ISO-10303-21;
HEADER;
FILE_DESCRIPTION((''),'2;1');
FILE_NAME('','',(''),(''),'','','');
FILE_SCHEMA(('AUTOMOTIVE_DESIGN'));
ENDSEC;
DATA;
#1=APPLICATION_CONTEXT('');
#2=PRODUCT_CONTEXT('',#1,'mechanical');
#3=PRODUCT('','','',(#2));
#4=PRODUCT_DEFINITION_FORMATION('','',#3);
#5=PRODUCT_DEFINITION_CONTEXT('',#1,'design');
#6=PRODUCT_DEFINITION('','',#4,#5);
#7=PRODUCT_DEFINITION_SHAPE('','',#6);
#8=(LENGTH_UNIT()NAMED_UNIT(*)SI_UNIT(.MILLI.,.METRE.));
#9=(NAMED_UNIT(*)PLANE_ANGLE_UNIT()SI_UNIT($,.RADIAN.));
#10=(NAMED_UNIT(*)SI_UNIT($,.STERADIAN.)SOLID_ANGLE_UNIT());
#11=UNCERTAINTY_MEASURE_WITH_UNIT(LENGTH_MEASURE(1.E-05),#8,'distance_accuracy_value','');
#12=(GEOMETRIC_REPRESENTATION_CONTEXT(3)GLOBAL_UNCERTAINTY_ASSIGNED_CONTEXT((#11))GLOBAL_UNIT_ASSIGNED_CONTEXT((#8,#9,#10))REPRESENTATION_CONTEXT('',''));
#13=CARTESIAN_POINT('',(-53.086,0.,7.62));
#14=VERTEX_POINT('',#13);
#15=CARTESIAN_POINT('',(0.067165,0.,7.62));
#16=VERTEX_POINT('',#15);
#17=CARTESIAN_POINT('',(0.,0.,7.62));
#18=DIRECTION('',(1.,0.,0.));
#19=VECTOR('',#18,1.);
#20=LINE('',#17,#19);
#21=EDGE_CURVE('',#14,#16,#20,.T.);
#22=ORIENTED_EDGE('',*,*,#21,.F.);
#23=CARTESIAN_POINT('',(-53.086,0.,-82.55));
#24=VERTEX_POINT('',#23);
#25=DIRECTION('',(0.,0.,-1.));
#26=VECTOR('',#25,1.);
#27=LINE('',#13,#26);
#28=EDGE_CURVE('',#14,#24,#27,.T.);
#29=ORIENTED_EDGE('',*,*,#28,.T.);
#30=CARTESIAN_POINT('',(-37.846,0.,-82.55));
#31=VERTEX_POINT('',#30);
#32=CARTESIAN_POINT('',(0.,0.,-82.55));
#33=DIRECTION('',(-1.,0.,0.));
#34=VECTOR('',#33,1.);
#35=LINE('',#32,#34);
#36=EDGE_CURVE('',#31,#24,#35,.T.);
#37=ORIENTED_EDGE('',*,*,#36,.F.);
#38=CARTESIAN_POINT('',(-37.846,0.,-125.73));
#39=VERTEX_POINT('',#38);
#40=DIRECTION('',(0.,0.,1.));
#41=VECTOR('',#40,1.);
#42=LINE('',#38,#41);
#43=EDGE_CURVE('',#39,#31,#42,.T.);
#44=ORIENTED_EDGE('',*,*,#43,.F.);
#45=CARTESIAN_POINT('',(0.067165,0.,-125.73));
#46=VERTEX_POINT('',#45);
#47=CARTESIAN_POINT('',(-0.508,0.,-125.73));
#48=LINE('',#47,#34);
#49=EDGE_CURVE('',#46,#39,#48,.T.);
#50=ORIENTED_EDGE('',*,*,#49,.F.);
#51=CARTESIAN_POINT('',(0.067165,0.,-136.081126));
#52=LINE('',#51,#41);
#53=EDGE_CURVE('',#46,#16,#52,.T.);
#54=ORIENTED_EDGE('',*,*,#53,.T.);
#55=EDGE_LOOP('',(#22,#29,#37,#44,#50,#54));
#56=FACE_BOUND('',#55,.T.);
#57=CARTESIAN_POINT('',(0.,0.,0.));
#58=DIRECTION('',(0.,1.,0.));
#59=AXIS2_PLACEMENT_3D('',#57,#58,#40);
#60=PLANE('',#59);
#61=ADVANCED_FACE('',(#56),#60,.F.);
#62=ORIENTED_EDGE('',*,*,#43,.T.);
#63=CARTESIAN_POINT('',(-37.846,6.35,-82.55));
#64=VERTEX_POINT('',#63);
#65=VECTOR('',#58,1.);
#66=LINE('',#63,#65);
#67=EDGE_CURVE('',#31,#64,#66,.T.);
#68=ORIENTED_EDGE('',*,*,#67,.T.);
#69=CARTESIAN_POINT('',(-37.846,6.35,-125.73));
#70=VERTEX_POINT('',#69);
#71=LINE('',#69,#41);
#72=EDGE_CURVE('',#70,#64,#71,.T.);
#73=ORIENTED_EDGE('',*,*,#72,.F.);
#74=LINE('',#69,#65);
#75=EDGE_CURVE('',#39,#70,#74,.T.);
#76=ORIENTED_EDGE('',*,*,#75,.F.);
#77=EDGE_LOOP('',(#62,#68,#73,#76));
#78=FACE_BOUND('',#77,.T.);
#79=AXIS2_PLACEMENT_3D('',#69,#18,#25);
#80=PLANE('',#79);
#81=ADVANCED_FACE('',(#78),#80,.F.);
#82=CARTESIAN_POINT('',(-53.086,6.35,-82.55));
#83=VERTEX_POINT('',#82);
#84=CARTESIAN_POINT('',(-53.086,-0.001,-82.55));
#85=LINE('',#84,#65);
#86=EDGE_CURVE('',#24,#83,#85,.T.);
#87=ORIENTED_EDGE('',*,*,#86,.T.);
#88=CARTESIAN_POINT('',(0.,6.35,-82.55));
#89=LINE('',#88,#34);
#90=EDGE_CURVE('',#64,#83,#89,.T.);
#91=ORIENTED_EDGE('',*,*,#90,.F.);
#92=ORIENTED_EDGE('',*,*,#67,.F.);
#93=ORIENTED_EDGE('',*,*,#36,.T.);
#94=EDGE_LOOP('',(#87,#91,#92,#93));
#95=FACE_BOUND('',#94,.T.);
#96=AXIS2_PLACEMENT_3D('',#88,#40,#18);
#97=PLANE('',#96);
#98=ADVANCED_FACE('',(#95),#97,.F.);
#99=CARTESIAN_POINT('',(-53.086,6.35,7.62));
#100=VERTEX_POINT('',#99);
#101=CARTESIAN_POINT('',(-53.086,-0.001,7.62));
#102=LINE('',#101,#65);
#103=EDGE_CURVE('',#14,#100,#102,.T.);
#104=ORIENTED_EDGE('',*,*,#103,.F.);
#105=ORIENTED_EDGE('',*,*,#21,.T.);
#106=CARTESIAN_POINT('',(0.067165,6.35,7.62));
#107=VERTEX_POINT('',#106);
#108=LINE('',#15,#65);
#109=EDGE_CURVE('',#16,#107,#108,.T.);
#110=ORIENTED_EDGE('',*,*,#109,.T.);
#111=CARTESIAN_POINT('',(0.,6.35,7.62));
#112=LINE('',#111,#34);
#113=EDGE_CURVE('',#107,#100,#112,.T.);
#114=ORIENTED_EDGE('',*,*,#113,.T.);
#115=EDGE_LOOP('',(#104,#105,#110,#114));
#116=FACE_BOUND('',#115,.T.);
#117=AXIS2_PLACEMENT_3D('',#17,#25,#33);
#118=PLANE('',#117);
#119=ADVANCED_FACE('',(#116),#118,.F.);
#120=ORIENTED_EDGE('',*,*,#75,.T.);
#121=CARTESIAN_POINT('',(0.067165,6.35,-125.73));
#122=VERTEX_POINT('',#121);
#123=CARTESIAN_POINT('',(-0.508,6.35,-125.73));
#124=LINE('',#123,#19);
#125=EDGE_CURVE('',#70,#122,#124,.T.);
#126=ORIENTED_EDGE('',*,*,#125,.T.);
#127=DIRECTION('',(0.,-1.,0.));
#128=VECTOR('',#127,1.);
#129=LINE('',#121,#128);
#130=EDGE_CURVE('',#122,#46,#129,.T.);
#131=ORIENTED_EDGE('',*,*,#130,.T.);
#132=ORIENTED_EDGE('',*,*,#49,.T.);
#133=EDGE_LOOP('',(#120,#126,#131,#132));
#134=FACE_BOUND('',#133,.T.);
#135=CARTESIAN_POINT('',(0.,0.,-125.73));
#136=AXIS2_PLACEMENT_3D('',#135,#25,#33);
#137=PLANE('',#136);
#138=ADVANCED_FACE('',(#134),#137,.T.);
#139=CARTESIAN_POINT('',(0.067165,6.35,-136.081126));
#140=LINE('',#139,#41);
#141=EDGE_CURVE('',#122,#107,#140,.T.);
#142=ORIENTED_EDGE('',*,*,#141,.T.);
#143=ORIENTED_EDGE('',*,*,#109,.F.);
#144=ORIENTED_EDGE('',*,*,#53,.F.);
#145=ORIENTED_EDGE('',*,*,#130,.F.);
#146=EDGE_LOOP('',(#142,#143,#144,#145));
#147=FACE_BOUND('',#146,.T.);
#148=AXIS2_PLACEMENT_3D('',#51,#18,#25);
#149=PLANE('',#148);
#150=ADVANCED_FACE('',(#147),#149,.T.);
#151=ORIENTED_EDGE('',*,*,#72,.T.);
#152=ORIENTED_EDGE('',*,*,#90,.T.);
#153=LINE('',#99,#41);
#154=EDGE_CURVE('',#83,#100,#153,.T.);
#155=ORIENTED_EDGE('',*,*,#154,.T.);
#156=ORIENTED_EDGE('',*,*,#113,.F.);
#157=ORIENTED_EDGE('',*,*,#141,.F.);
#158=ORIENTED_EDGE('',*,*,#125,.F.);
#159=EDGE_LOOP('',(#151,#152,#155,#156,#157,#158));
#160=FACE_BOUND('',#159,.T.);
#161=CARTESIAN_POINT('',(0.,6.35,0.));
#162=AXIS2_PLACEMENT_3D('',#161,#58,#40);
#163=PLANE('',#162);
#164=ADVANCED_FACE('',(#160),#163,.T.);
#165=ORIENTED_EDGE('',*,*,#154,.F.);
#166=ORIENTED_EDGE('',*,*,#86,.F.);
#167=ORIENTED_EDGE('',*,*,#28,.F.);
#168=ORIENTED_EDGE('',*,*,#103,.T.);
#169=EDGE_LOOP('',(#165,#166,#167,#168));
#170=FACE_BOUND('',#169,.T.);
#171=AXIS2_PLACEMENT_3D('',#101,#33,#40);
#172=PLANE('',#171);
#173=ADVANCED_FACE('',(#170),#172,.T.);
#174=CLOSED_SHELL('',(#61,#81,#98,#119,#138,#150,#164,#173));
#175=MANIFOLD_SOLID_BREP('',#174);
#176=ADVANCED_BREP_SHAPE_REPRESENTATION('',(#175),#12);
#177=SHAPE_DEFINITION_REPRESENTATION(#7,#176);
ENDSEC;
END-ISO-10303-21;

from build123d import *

# Parameters (mm, degrees)
SKETCH1_W           = 53.594
SKETCH1_H           = 82.55
BOSS_EXTRUDE1_DEPTH = 6.35
SKETCH6_W           = 53.594
SKETCH6_H           = 6.35
BOSS_EXTRUDE3_DEPTH = 7.62
SKETCH3_W           = 0.508
SKETCH3_H           = 90.17
CUT_EXTRUDE2_DEPTH  = 6.35
SKETCH8_W           = 37.338
SKETCH8_H           = 6.35
BOSS_EXTRUDE4_DEPTH = 43.18
SKETCH10_W          = 53.153164817
SKETCH10_H          = 6.35
BOSS_EXTRUDE5_DEPTH = 90.17
SKETCH11_W          = 0.575164817
SKETCH11_H          = 6.35
BOSS_EXTRUDE6_DEPTH = 43.18


with BuildPart() as part:
    # Sketch1 → Boss-Extrude1 (new body)
    with BuildSketch(Plane(origin=(0, 0, 0), x_dir=(1, 0, 0), z_dir=(0, 1, 0))):
        with Locations((-26.797, 41.275)):
            Rectangle(SKETCH1_W, SKETCH1_H)
    extrude(amount=BOSS_EXTRUDE1_DEPTH)

    # Sketch6 → Boss-Extrude3 (add)
    with BuildSketch(Plane.XY):
        with Locations((-26.797, 3.175)):
            Rectangle(SKETCH6_W, SKETCH6_H)
    extrude(amount=BOSS_EXTRUDE3_DEPTH)

    # Sketch3 → Cut-Extrude2 (cut)
    with BuildSketch(Plane(origin=(0, 6.35, 0), x_dir=(1, 0, 0), z_dir=(0, 1, 0))):
        with Locations((-0.254, 37.465)):
            Rectangle(SKETCH3_W, SKETCH3_H)
    cut_extrude2 = extrude(amount=-CUT_EXTRUDE2_DEPTH, mode=Mode.SUBTRACT)

    # Mirror1: Cut-Extrude2 across plane
    add(cut_extrude2.mirror(Plane(origin=(-26.797, 0, 0), x_dir=(0, 0, 1), z_dir=(1, 0, 0))), mode=Mode.SUBTRACT)

    # Sketch8 → Boss-Extrude4 (add)
    with BuildSketch(Plane(origin=(0, 0, -82.55), x_dir=(-1, 0, 0), z_dir=(0, 0, -1))):
        with Locations((19.177, 3.175)):
            Rectangle(SKETCH8_W, SKETCH8_H)
    extrude(amount=BOSS_EXTRUDE4_DEPTH)

    # Sketch10 → Boss-Extrude5 (add)
    with BuildSketch(Plane.XY.offset(7.62)):
        with Locations((-26.509417592, 3.175)):
            Rectangle(SKETCH10_W, SKETCH10_H)
    extrude(amount=-BOSS_EXTRUDE5_DEPTH)

    # Sketch11 → Boss-Extrude6 (add)
    with BuildSketch(Plane(origin=(0, 0, -82.55), x_dir=(-1, 0, 0), z_dir=(0, 0, -1))):
        with Locations((0.220417592, 3.175)):
            Rectangle(SKETCH11_W, SKETCH11_H)
    extrude(amount=BOSS_EXTRUDE6_DEPTH)


solid = part.part
